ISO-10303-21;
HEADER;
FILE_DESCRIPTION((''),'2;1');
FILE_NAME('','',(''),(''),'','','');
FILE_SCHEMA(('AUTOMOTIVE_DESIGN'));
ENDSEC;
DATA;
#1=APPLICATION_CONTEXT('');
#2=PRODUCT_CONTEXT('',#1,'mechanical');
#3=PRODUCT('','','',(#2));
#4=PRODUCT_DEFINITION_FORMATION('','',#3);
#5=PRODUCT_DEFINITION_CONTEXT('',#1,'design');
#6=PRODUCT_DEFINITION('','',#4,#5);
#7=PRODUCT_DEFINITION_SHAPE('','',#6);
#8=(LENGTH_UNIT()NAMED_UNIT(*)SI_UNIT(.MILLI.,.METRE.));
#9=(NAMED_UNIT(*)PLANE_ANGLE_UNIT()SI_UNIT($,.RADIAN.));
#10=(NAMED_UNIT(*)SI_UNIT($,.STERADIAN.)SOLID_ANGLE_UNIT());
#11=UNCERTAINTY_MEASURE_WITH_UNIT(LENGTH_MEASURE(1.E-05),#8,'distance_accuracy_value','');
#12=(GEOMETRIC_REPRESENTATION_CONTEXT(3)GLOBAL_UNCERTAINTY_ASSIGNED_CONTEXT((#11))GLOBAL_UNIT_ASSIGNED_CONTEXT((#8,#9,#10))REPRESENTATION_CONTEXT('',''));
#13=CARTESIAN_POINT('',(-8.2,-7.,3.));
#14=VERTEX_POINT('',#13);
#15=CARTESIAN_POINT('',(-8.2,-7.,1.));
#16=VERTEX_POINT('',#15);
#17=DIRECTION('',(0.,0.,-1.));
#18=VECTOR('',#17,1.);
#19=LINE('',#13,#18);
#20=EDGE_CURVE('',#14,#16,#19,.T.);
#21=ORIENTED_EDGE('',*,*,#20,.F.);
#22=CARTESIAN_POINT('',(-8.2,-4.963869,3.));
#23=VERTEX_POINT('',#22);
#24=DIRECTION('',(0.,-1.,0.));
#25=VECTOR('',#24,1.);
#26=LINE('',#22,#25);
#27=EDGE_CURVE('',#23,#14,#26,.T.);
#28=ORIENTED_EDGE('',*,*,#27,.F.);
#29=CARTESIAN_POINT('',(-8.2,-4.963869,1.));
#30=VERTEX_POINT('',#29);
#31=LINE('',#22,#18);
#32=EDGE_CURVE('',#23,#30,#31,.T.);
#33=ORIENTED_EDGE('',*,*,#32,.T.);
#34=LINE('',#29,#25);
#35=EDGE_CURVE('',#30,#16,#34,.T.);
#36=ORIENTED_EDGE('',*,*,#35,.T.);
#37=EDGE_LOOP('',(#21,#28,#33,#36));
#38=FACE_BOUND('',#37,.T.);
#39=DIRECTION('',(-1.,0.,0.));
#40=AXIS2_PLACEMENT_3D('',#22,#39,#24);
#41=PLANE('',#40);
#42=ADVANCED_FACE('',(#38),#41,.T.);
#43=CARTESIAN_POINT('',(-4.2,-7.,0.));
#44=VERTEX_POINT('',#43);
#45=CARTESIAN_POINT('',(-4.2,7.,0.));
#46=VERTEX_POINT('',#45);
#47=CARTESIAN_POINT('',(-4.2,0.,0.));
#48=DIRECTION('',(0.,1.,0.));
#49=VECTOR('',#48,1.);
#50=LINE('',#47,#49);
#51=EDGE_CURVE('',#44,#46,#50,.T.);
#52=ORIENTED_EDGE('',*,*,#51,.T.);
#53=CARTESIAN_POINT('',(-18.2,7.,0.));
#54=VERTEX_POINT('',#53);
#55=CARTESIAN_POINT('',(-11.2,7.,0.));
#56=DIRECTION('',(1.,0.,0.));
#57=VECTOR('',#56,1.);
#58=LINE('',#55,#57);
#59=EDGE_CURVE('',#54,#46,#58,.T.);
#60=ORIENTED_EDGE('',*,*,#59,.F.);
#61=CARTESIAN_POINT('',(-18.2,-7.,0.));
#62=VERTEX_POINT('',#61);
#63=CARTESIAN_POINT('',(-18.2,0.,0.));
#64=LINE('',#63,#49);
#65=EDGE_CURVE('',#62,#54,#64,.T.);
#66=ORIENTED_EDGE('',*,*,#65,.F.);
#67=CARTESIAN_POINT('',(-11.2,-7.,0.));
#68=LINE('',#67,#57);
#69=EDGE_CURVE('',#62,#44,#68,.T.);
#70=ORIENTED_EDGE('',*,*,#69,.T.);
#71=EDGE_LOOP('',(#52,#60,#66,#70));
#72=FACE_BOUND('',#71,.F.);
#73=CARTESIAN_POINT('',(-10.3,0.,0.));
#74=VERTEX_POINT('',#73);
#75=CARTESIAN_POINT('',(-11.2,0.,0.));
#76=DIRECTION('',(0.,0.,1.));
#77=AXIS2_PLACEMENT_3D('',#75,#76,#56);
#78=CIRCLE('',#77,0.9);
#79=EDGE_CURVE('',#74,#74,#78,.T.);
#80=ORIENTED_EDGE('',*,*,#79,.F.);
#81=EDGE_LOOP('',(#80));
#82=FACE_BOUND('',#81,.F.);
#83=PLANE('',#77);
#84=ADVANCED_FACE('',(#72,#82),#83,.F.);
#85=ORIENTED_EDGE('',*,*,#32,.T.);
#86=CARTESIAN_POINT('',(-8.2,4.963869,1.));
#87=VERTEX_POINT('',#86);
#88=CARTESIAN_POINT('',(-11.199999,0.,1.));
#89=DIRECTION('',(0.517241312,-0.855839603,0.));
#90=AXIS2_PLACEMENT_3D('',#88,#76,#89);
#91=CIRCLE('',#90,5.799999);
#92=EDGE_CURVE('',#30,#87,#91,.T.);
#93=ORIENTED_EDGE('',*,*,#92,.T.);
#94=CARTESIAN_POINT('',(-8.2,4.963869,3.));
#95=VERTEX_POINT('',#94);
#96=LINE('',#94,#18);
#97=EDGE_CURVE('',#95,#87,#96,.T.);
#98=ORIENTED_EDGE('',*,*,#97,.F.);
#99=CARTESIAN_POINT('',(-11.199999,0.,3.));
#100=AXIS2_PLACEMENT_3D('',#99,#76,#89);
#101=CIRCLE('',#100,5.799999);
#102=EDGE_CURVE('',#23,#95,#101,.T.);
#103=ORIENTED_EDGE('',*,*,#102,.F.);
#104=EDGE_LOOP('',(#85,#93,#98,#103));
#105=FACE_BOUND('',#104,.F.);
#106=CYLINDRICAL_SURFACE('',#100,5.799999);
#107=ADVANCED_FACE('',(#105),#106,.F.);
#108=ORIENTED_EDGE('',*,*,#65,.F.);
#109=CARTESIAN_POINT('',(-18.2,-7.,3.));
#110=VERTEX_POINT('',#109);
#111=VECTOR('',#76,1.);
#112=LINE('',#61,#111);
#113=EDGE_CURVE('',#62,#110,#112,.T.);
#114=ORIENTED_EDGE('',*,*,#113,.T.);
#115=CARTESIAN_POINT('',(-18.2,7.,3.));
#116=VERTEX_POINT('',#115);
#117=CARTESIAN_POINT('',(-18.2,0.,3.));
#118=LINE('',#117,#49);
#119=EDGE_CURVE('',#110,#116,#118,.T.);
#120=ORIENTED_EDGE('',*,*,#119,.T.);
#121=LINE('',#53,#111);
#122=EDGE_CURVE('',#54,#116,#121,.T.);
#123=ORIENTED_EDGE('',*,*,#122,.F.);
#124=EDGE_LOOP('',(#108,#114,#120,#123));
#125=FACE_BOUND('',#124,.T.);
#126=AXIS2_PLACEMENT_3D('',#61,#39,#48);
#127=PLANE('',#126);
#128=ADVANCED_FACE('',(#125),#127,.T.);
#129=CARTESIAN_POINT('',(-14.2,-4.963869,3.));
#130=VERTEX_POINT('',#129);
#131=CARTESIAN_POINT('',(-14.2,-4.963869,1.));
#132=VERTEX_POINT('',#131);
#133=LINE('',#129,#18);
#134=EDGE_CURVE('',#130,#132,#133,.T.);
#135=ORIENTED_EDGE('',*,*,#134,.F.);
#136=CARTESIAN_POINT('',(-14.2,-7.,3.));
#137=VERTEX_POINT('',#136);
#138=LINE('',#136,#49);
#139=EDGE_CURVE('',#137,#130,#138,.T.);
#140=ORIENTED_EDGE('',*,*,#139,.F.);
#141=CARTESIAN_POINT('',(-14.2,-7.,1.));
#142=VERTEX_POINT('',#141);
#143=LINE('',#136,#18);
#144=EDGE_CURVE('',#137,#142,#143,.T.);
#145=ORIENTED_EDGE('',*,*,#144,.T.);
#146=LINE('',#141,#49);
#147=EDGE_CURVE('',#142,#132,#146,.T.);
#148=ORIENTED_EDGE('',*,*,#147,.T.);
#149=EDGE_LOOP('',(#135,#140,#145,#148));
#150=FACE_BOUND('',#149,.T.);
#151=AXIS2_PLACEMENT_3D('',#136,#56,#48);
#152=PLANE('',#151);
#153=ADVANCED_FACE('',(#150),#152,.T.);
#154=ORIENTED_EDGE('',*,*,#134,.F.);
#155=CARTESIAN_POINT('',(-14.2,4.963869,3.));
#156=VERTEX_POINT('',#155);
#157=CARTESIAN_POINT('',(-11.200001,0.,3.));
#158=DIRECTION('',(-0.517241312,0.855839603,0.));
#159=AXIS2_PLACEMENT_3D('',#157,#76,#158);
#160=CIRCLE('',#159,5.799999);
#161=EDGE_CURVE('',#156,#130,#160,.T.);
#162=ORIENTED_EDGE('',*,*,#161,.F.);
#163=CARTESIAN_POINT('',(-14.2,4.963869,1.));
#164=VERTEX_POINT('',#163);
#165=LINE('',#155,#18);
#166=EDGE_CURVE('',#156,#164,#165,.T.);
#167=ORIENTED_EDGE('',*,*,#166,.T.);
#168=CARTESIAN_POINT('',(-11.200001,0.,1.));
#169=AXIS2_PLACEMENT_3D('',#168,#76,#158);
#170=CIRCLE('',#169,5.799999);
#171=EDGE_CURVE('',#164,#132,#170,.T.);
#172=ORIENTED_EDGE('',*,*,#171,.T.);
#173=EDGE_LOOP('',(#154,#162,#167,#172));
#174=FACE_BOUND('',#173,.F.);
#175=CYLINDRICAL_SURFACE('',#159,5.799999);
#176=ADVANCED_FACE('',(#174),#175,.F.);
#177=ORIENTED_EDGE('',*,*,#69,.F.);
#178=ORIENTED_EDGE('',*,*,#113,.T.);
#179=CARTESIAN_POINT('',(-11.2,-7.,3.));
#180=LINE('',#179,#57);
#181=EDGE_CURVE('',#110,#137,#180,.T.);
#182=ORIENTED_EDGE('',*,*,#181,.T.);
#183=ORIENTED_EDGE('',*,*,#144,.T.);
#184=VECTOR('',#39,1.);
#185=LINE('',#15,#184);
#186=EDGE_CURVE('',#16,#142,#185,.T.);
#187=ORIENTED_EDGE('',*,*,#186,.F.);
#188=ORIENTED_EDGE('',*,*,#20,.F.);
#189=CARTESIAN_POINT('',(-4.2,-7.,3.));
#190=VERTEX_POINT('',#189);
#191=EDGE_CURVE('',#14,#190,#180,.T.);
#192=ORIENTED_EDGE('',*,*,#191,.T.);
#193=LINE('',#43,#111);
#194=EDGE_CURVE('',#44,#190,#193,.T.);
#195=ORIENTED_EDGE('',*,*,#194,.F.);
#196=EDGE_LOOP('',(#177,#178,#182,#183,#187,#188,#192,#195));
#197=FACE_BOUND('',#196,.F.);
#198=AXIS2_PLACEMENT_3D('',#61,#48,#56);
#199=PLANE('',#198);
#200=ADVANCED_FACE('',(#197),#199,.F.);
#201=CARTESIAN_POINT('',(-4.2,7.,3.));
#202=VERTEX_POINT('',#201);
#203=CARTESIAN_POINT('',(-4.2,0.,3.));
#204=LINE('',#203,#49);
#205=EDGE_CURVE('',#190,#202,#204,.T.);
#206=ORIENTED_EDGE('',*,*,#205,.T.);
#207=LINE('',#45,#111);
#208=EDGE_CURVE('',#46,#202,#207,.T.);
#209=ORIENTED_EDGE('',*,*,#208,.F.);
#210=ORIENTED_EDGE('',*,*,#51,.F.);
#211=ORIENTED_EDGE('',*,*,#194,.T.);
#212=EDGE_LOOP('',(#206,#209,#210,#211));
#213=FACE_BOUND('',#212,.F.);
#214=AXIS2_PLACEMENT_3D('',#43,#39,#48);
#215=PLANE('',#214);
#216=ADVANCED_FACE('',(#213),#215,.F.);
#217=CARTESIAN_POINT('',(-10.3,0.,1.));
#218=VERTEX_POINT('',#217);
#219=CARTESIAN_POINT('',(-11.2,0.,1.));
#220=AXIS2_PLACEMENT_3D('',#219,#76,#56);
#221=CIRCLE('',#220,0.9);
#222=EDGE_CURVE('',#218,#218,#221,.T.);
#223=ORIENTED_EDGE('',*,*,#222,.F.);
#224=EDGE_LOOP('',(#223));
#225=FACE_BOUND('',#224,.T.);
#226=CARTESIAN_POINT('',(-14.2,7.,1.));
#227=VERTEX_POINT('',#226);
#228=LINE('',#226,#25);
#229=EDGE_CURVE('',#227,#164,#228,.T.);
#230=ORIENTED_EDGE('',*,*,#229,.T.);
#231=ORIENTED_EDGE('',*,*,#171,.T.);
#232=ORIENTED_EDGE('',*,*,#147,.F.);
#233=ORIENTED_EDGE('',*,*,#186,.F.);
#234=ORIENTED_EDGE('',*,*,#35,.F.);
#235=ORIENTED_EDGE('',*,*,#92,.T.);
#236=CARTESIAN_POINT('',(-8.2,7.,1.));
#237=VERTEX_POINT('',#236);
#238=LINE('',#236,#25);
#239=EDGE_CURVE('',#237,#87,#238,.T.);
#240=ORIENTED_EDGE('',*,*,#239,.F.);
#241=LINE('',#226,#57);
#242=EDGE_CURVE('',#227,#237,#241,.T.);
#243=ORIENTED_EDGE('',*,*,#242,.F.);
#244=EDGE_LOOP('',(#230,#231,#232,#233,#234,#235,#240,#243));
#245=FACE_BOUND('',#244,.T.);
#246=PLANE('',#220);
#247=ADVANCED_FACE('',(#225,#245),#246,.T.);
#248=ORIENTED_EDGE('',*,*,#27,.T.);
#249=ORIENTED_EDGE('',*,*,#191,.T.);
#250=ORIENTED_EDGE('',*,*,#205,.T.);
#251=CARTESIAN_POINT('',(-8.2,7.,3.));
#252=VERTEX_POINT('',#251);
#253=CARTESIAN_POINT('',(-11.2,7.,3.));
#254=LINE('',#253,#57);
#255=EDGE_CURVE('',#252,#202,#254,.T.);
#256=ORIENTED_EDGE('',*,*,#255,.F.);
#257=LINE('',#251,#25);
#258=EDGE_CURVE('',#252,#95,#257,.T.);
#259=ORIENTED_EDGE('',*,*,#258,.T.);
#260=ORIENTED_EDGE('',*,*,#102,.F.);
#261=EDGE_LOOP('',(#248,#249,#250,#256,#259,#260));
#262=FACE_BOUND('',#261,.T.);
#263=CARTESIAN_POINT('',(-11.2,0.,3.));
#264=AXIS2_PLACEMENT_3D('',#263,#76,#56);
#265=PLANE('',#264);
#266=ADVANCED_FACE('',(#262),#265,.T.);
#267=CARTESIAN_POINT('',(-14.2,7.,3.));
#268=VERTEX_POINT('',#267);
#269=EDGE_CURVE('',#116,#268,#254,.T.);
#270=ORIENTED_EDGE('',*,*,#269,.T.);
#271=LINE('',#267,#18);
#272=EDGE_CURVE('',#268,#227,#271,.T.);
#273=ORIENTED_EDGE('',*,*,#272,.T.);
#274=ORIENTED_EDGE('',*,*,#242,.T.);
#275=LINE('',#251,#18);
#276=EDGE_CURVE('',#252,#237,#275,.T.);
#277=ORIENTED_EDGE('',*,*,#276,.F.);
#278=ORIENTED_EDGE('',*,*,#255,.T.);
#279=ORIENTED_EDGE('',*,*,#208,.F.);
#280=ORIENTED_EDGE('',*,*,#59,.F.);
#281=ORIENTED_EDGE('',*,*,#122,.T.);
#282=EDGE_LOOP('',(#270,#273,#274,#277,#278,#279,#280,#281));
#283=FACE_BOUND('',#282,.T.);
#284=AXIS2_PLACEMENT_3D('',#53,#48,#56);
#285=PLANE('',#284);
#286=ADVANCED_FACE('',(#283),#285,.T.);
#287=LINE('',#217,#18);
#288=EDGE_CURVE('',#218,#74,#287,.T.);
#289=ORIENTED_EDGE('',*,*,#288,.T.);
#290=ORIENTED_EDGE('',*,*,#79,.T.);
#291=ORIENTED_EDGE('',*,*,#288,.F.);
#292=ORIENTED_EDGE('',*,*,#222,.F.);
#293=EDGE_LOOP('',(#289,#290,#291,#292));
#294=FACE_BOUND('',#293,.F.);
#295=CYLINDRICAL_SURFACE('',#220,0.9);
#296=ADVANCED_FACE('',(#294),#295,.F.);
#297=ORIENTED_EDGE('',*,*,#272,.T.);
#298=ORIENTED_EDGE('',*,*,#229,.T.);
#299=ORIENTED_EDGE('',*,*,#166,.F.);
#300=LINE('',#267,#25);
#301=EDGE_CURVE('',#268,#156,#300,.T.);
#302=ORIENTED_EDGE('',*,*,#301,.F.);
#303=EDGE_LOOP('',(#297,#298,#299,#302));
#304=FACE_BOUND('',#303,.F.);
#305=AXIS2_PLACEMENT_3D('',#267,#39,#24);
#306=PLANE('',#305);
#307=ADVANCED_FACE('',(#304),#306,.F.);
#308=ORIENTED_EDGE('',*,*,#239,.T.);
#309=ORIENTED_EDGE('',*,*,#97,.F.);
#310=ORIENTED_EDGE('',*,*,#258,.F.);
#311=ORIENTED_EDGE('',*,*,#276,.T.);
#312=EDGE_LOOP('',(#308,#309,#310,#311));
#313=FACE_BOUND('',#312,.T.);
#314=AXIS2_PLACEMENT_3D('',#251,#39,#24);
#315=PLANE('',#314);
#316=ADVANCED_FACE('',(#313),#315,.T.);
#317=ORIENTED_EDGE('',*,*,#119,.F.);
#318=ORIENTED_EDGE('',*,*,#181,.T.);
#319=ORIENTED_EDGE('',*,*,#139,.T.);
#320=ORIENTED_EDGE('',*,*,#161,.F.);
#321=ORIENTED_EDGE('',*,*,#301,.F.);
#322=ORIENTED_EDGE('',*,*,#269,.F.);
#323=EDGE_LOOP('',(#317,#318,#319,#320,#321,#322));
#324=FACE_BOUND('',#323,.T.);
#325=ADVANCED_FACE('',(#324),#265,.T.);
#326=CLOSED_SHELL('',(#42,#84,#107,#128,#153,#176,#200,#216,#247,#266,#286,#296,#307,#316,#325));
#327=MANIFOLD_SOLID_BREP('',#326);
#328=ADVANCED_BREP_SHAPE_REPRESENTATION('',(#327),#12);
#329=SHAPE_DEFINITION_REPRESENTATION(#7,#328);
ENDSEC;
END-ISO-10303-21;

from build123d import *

# Parameters (mm, degrees)
SKETCH006_W     = 14
SKETCH006_H     = 14
PAD002_DEPTH    = 3
POCKET004_DEPTH = 2
SKETCH008_R     = 0.9
POCKET005_DEPTH = 1.001


with BuildPart() as part:
    # Sketch006 → Pad002 (new body)
    with BuildSketch(Plane.XY):
        Rectangle(SKETCH006_W, SKETCH006_H)
    extrude(amount=PAD002_DEPTH)

    # Sketch007 (on Face6 of Pad002) → Pocket004 (cut)
    with BuildSketch(Plane.XY.offset(3)):
        with BuildLine():
            Line((-3, 7), (-3, 4.963869))
            ThreePointArc((-3, 4.963869), (-5.8, 0), (-3, -4.963869))
            Line((-3, -7), (-3, -4.963869))
            Line((3, -7), (-3, -7))
            Line((3, -4.963869), (3, -7))
            ThreePointArc((3, -4.963869), (5.8, 0), (3, 4.963869))
            Line((3, 7), (3, 4.963869))
            Line((-3, 7), (3, 7))
        make_face()
    extrude(amount=-POCKET004_DEPTH, mode=Mode.SUBTRACT)

    # Sketch008 (on Face6 of Pocket004) → Pocket005 (cut, through all)
    with BuildSketch(Plane.XY.offset(1)):
        Circle(SKETCH008_R)
    extrude(amount=-POCKET005_DEPTH, mode=Mode.SUBTRACT)


with BuildPart() as part_1:
    # Clone placement: moved
    add(part.part.moved(Location((-11.2, 0, 0))))


solid = part_1.part
